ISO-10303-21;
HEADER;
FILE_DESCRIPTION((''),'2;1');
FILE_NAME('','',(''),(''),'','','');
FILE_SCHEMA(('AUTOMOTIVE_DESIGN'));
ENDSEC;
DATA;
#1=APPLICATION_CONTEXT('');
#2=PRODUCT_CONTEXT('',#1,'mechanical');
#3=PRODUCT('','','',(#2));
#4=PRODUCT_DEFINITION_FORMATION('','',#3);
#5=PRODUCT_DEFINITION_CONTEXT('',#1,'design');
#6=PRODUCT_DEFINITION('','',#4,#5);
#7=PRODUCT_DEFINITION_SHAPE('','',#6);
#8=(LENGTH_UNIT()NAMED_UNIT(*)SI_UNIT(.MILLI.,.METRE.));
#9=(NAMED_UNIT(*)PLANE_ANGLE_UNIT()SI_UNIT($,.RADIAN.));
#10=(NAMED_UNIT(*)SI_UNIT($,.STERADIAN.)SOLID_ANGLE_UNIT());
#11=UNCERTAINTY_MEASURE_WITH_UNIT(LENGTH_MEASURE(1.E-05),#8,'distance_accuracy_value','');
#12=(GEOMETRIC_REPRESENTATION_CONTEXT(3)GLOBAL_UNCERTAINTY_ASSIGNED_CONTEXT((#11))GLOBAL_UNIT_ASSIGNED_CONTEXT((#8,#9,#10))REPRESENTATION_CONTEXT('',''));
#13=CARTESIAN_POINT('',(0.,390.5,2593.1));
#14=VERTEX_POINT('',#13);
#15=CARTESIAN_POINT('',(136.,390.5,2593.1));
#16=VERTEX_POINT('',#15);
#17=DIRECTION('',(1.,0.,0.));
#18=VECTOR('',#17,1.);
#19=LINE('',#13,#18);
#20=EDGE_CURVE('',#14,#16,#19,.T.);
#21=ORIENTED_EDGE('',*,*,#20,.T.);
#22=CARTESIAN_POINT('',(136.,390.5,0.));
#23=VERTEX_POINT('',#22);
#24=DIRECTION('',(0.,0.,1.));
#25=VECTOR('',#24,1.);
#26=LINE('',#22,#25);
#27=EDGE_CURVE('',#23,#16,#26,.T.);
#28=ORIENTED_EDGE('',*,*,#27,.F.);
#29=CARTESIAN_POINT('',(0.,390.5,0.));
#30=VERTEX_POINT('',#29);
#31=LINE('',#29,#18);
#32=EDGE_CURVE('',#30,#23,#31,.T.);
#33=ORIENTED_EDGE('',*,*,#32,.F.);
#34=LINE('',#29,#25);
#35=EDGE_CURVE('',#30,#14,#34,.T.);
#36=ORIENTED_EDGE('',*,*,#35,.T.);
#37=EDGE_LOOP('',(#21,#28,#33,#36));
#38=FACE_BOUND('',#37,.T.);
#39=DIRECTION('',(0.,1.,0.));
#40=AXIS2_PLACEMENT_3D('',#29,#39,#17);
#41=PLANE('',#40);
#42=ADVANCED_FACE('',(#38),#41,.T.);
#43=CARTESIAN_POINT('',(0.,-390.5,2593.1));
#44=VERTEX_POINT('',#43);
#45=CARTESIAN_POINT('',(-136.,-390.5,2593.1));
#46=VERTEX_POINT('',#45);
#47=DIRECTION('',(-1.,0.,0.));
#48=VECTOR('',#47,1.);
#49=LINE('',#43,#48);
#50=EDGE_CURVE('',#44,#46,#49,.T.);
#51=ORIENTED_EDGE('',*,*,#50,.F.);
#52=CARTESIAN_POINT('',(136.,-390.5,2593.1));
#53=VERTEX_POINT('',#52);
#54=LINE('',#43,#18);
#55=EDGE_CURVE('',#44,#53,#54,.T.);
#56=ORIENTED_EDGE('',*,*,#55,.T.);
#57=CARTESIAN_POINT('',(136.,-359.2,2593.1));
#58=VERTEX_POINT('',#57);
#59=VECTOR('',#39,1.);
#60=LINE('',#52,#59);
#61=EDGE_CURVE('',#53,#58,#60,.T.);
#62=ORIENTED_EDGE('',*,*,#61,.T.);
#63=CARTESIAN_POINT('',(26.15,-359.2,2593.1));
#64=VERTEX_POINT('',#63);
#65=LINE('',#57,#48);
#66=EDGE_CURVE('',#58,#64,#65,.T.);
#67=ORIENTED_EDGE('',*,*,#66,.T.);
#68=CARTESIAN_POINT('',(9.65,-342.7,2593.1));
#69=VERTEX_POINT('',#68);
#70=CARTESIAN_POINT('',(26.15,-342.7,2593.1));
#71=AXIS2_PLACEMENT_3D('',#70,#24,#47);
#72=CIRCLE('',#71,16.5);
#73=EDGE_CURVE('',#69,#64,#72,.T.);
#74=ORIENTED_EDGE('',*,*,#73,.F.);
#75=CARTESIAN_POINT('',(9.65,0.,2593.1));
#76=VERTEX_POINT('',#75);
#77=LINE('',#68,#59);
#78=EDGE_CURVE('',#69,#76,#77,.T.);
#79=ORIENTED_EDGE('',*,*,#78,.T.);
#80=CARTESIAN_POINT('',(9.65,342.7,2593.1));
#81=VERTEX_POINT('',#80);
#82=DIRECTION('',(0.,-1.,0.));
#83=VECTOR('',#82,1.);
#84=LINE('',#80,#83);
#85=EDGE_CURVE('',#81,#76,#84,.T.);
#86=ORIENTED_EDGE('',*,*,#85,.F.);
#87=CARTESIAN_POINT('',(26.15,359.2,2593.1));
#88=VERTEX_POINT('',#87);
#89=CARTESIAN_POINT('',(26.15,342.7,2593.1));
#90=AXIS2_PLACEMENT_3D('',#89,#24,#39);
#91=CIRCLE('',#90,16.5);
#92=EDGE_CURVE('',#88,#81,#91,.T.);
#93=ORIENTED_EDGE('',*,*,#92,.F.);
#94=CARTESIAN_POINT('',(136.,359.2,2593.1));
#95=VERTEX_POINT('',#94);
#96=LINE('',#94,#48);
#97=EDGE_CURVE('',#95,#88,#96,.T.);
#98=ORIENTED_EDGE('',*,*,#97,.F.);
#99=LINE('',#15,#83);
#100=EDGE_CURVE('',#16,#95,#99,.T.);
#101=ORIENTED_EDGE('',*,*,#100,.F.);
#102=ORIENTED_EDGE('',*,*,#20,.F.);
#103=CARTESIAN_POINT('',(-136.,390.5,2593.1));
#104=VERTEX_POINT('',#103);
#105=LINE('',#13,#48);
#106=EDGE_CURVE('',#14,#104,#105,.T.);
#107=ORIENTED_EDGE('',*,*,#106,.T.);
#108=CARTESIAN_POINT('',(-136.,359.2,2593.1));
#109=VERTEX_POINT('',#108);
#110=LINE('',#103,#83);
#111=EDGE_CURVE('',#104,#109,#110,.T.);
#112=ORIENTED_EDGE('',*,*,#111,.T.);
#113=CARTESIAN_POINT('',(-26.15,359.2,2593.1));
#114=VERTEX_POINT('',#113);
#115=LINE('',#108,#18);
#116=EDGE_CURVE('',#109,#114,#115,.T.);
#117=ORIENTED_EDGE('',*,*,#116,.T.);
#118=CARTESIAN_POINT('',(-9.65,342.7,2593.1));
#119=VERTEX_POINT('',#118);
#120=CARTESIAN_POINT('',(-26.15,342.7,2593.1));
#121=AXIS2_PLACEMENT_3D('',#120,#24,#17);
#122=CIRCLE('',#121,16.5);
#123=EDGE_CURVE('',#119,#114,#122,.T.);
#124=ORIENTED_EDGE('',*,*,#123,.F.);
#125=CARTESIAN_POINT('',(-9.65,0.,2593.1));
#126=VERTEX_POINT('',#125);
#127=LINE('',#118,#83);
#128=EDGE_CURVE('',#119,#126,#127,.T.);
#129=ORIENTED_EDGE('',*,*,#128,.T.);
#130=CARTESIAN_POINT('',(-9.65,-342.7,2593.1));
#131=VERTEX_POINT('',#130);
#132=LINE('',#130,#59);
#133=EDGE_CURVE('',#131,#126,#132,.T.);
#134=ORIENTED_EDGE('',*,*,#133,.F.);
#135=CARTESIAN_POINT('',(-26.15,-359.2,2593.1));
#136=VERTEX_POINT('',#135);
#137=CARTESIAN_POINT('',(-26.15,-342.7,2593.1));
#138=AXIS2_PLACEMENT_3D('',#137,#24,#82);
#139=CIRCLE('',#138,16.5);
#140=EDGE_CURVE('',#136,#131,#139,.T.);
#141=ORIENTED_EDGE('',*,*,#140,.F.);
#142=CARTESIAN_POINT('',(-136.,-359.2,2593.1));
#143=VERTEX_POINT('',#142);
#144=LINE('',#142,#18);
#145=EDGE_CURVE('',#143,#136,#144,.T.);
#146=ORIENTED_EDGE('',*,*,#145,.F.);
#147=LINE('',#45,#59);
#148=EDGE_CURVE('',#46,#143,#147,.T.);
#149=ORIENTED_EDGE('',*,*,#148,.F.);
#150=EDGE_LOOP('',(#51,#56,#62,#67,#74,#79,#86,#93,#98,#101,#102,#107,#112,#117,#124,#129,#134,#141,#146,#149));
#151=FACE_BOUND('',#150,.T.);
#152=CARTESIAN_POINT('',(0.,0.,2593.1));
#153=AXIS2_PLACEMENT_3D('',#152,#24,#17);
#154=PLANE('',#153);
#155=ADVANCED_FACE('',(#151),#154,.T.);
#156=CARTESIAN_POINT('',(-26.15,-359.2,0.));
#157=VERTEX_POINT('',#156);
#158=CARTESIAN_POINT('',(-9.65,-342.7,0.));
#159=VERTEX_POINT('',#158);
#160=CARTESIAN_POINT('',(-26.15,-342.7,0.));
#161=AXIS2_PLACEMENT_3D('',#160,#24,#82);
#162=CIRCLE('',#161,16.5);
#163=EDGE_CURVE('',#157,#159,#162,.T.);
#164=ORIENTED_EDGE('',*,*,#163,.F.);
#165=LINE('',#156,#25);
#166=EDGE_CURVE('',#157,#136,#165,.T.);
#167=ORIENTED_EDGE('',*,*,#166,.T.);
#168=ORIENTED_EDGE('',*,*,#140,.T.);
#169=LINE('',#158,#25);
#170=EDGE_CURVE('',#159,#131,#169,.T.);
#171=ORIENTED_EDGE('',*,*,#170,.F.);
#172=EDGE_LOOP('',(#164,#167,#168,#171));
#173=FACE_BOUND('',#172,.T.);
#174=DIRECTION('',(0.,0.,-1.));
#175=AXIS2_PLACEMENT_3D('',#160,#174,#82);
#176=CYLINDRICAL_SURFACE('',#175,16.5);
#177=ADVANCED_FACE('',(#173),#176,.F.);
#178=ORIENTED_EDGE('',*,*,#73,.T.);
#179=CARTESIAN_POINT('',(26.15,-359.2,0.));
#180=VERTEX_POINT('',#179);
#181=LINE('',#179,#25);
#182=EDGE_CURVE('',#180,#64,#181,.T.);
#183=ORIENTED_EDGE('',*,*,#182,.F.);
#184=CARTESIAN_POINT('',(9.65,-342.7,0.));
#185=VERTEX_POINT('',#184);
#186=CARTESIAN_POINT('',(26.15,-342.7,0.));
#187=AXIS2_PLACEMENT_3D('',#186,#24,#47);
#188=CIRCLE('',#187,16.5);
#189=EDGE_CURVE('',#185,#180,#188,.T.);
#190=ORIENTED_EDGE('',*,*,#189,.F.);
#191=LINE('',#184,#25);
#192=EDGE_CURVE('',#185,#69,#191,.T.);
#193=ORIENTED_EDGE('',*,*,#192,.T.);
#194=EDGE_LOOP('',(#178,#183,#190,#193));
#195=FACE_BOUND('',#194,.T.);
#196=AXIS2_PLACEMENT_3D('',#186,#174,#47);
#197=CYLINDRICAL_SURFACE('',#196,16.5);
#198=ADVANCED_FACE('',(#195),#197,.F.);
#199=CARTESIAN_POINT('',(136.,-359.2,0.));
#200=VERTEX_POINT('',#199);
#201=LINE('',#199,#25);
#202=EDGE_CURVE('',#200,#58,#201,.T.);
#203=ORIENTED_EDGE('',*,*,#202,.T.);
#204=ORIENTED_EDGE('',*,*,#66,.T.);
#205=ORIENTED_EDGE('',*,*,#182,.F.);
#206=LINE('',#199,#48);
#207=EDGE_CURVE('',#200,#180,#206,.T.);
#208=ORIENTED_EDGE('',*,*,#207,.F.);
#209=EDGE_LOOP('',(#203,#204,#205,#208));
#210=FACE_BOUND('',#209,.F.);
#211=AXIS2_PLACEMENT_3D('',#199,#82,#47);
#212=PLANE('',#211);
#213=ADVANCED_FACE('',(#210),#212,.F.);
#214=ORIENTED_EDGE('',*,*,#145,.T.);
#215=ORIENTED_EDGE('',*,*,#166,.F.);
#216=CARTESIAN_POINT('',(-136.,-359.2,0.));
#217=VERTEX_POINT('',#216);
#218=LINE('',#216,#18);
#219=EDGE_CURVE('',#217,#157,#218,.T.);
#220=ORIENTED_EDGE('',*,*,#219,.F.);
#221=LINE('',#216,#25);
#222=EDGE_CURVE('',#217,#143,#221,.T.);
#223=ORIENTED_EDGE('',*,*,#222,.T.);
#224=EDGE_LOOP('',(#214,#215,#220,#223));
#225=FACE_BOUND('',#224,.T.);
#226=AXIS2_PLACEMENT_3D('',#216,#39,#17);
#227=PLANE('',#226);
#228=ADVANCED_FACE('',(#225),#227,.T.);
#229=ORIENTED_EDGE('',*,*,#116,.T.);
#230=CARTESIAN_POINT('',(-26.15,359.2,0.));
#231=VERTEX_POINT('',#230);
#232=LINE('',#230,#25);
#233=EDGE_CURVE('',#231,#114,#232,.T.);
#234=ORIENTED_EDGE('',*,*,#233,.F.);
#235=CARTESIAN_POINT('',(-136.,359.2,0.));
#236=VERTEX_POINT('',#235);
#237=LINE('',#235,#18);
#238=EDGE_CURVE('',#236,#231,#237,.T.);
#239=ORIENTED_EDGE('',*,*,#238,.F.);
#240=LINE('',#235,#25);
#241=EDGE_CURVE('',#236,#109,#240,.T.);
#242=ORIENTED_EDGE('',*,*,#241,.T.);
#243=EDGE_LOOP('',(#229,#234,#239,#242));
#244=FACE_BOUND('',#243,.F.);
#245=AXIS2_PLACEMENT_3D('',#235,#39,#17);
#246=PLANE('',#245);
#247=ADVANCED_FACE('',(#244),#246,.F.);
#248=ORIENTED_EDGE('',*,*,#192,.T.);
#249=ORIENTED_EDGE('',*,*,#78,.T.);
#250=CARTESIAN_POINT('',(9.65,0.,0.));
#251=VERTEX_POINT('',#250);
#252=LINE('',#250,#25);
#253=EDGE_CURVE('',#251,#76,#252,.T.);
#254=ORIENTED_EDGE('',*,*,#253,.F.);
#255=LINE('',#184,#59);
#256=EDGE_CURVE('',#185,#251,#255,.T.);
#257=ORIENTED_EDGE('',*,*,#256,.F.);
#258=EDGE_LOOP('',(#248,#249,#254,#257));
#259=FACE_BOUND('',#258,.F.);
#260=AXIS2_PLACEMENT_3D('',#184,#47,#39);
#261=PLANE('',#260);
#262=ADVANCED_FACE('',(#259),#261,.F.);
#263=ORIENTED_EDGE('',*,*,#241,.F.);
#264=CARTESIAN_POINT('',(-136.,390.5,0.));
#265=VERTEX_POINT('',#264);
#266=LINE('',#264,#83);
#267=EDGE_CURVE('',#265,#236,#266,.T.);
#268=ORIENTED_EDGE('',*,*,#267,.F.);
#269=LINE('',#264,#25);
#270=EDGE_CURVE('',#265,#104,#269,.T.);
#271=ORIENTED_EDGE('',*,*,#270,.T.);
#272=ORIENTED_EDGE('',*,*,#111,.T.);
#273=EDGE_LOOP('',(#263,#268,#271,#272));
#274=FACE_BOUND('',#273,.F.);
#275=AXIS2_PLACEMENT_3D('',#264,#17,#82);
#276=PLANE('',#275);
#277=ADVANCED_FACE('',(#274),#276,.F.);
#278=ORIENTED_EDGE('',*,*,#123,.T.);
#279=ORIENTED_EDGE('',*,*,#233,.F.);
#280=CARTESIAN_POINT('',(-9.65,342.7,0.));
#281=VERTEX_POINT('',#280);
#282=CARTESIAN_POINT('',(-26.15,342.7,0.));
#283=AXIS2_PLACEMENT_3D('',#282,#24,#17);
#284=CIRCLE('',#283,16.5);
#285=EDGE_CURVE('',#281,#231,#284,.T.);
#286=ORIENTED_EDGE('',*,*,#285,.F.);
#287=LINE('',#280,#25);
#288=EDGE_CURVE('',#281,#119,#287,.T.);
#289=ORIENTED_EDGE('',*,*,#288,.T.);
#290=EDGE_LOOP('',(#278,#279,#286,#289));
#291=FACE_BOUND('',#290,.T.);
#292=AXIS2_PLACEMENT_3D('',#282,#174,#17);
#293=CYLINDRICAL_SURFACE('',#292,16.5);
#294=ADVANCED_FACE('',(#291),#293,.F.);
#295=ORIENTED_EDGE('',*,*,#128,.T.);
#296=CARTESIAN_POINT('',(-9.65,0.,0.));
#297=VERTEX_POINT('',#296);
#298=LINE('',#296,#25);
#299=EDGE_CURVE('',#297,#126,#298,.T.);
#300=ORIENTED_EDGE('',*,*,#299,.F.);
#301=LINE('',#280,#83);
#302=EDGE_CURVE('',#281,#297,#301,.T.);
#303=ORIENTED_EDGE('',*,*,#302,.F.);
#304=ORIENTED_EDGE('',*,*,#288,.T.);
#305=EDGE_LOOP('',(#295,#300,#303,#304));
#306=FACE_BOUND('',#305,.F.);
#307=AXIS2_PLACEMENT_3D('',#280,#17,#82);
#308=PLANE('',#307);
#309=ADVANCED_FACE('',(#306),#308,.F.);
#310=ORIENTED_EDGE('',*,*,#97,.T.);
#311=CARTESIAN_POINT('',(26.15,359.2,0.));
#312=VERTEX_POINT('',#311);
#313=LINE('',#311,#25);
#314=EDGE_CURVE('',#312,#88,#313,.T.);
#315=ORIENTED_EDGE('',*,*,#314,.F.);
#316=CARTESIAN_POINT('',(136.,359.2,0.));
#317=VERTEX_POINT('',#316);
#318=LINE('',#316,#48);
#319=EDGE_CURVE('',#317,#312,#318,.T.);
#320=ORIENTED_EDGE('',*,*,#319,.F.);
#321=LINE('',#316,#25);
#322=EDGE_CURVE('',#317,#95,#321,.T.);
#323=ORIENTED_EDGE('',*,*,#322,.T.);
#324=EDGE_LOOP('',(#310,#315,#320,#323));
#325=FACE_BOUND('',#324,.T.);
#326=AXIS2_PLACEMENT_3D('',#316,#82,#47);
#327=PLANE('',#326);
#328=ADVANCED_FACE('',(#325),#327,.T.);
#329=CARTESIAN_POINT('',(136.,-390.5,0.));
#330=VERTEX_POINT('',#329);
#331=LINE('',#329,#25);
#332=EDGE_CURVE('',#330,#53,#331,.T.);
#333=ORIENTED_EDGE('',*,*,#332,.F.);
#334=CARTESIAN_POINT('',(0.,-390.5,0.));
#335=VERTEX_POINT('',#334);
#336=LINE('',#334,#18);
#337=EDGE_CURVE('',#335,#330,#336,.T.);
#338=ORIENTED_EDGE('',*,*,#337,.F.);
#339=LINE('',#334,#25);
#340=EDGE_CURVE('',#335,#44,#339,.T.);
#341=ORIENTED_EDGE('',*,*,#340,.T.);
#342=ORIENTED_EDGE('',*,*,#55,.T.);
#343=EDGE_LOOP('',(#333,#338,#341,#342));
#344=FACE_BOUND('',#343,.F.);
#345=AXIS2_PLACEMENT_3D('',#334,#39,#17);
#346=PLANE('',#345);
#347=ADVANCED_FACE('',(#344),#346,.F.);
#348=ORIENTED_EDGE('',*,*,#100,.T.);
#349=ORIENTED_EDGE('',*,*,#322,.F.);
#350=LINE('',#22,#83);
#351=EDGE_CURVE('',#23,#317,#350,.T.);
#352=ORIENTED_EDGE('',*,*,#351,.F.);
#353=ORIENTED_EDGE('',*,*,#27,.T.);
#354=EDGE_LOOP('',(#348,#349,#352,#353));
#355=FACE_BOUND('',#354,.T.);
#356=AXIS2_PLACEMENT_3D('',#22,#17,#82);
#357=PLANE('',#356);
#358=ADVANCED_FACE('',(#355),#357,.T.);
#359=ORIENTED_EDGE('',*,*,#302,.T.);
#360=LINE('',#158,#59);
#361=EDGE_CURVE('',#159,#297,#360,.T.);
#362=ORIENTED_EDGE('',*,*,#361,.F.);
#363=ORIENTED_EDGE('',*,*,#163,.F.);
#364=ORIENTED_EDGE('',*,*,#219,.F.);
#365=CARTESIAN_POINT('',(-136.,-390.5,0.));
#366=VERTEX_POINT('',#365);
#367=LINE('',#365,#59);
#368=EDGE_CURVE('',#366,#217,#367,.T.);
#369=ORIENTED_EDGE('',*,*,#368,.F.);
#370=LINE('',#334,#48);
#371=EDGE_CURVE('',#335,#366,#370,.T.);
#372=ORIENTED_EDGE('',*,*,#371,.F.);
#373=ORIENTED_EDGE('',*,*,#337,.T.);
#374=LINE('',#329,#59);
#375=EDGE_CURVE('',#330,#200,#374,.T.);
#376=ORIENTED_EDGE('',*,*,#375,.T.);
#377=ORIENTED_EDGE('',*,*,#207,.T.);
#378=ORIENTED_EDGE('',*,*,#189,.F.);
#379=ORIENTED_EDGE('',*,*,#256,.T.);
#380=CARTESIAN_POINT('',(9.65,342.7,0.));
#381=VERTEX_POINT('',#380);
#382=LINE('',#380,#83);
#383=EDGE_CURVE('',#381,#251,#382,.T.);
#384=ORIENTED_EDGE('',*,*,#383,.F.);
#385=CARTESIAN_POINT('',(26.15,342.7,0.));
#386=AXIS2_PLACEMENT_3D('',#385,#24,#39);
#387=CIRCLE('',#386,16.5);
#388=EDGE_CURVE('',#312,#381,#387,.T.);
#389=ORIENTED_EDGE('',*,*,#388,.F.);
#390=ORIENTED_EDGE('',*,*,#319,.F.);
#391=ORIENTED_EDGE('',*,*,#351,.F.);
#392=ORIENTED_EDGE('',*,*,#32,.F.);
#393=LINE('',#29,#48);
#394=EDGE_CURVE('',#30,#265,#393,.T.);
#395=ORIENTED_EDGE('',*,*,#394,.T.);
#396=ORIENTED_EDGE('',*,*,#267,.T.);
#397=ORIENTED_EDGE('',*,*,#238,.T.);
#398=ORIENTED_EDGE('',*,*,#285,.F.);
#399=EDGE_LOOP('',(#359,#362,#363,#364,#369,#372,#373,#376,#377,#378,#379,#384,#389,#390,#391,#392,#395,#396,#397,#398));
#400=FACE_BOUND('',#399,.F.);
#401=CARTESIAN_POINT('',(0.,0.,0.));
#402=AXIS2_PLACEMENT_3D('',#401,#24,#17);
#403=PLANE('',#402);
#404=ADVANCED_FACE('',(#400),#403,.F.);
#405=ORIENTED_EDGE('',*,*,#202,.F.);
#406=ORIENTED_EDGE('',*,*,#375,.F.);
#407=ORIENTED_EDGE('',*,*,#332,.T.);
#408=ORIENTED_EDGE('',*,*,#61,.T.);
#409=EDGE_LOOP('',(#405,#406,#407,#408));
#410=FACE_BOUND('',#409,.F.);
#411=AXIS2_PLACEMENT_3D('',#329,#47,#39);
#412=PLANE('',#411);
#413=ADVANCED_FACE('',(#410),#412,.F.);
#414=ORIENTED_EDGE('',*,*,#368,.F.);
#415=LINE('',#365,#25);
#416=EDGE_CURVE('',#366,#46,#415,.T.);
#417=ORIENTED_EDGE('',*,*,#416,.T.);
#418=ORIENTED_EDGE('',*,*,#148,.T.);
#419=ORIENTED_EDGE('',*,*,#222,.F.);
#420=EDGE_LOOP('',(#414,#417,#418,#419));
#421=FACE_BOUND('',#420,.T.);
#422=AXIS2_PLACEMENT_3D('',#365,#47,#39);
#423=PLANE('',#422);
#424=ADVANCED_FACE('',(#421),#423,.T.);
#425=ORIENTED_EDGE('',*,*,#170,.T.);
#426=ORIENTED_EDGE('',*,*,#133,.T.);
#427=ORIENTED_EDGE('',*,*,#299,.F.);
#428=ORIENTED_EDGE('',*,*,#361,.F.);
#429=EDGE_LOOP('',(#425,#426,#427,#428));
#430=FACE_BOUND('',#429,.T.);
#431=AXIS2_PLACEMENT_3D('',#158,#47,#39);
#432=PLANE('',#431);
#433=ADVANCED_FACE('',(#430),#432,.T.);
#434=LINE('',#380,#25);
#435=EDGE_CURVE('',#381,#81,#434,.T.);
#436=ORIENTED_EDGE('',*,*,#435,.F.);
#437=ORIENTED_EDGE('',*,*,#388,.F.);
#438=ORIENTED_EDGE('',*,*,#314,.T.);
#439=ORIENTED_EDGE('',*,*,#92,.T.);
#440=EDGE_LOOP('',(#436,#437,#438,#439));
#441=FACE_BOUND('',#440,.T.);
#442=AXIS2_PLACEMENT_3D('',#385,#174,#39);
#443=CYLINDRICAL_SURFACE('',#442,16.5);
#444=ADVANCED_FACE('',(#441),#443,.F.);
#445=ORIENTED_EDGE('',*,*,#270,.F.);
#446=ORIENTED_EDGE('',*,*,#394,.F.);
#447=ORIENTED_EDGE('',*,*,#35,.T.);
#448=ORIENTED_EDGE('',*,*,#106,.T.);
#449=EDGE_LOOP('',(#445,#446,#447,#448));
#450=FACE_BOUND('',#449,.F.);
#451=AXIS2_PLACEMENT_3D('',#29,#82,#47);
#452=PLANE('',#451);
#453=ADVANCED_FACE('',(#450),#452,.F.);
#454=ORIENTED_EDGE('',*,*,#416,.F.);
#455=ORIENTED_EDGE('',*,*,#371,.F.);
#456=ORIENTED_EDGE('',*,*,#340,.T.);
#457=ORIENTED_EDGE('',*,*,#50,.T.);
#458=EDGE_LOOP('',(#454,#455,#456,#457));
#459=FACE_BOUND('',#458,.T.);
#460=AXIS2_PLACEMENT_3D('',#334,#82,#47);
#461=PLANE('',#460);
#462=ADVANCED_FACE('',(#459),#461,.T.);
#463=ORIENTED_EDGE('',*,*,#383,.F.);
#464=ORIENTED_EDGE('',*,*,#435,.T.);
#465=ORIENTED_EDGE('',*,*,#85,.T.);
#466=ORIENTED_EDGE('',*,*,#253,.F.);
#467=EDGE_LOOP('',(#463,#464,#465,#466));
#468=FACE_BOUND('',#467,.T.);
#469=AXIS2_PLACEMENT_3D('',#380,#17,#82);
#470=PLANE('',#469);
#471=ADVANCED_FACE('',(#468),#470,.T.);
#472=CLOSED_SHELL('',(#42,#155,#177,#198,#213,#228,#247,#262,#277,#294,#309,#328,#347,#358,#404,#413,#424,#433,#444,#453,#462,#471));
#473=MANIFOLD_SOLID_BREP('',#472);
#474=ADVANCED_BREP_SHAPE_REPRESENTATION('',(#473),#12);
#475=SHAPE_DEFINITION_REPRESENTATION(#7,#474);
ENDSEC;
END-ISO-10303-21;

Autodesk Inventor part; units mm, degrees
ref_plane "YZ Plane" through (0, 0, 0) normal (1, 0, 0) x (0, 1, 0)
ref_plane "Start plane" through (0, 0, 0) normal (0, 0, 1) x (1, 0, 0)
ref_plane "End plane" through (0, 0, 2593.1) normal (0, 0, 1) x (1, 0, 0)
sketch "Sketch" plane through (0, 0, 0) normal (0, 0, 1) x (1, 0, 0)
  line L0 (-136, -390.5) -> (-136, -359.2)
  line L1 (-136, -359.2) -> (-26.15, -359.2)
  line L2 (-9.65, -342.7) -> (-9.65, 0)
  line L3 (-9.65, 0) -> (0, 0) construction
  line L4 (0, 0) -> (0, -390.5) construction
  line L5 (0, -390.5) -> (-136, -390.5)
  line L6 (-60, 0) -> (80, 0) construction
  line L7 (0, -60) -> (0, 80) construction
  line L8 (136, -390.5) -> (136, -359.2)
  line L9 (136, -359.2) -> (26.15, -359.2)
  line L10 (9.65, -342.7) -> (9.65, 0)
  line L11 (9.65, 0) -> (0, 0) construction
  line L12 (0, -390.5) -> (136, -390.5)
  line L13 (-136, 390.5) -> (-136, 359.2)
  line L14 (-136, 359.2) -> (-26.15, 359.2)
  line L15 (-9.65, 342.7) -> (-9.65, 0)
  line L16 (0, 390.5) -> (-136, 390.5)
  line L17 (136, 390.5) -> (136, 359.2)
  line L18 (136, 359.2) -> (26.15, 359.2)
  line L19 (0, 390.5) -> (136, 390.5)
  line L20 (9.65, 342.7) -> (9.65, 0)
  arc A0 (-9.65, 342.7) -> (-26.15, 359.2) centre (-26.15, 342.7) ccw
  arc A1 (26.15, 359.2) -> (9.65, 342.7) centre (26.15, 342.7) ccw
  arc A2 (9.65, -342.7) -> (26.15, -359.2) centre (26.15, -342.7) ccw
  arc A3 (-26.15, -359.2) -> (-9.65, -342.7) centre (-26.15, -342.7) ccw
  line L21 (0, 108) -> (0, -88) construction
  line L22 (-88, 0) -> (108, 0) construction
  point P0 (-9.65, -359.2)
  point P1 (9.65, -359.2)
  point P2 (-9.65, 359.2)
  point P3 (9.65, 359.2)
  dimension "d1" = 390.5
  dimension "d2" = 31.3
  dimension "d3" = 136
  dimension "d4" = 9.65
  dimension "d10" = 16.5
extrude "Body" add sketch "Sketch" along normal up to surface (2593.1 mm away) from surface at 0
sketch "Sketch4" plane through (0, 0, 0) normal (0, 0, 1) x (1, 0, 0)
  line L0 (0, 0) -> (10, 0)
ref_plane "Work Plane3" through (0, 0, 0) normal (0, -1, 0) x (1, 0, 0)
sketch "Sketch5" plane through (0, 0, 0) normal (0, -1, 0) x (1, 0, 0)
  line L0 (-2, 0) -> (12, 0) projected
  line L1 (-2, 2593.1) -> (12, 2593.1) projected
  dimension "d14" = 2593.1
equation "\"d1\" = 0.5 * G_H"
equation "\"d2\" = G_T1"
equation "\"d3\" = 0.5 * G_W"
equation "\"d4\" = 0.5 * G_T"
equation "\"d10\" = G_IR"
equation "\"d5\" = G_L"
equation "\"G_W\" = 272"
equation "\"G_H\" = 781"
equation "\"G_T\" = 19.3"
equation "\"G_T1\" = 31.3"
equation "\"G_IR\" = 16.5"
equation "\"G_L\" = d14"
equation "\"G_OFFSET_START\" = 0"
equation "\"G_OFFSET_END\" = 0"
equation "\"d12\" = G_OFFSET_END + B_L"
equation "\"B_L\" = 2593.1"
properties part number "AS 3679-1990 - 760 UB - 244 - 2593.1" material "Steel, Mild"
